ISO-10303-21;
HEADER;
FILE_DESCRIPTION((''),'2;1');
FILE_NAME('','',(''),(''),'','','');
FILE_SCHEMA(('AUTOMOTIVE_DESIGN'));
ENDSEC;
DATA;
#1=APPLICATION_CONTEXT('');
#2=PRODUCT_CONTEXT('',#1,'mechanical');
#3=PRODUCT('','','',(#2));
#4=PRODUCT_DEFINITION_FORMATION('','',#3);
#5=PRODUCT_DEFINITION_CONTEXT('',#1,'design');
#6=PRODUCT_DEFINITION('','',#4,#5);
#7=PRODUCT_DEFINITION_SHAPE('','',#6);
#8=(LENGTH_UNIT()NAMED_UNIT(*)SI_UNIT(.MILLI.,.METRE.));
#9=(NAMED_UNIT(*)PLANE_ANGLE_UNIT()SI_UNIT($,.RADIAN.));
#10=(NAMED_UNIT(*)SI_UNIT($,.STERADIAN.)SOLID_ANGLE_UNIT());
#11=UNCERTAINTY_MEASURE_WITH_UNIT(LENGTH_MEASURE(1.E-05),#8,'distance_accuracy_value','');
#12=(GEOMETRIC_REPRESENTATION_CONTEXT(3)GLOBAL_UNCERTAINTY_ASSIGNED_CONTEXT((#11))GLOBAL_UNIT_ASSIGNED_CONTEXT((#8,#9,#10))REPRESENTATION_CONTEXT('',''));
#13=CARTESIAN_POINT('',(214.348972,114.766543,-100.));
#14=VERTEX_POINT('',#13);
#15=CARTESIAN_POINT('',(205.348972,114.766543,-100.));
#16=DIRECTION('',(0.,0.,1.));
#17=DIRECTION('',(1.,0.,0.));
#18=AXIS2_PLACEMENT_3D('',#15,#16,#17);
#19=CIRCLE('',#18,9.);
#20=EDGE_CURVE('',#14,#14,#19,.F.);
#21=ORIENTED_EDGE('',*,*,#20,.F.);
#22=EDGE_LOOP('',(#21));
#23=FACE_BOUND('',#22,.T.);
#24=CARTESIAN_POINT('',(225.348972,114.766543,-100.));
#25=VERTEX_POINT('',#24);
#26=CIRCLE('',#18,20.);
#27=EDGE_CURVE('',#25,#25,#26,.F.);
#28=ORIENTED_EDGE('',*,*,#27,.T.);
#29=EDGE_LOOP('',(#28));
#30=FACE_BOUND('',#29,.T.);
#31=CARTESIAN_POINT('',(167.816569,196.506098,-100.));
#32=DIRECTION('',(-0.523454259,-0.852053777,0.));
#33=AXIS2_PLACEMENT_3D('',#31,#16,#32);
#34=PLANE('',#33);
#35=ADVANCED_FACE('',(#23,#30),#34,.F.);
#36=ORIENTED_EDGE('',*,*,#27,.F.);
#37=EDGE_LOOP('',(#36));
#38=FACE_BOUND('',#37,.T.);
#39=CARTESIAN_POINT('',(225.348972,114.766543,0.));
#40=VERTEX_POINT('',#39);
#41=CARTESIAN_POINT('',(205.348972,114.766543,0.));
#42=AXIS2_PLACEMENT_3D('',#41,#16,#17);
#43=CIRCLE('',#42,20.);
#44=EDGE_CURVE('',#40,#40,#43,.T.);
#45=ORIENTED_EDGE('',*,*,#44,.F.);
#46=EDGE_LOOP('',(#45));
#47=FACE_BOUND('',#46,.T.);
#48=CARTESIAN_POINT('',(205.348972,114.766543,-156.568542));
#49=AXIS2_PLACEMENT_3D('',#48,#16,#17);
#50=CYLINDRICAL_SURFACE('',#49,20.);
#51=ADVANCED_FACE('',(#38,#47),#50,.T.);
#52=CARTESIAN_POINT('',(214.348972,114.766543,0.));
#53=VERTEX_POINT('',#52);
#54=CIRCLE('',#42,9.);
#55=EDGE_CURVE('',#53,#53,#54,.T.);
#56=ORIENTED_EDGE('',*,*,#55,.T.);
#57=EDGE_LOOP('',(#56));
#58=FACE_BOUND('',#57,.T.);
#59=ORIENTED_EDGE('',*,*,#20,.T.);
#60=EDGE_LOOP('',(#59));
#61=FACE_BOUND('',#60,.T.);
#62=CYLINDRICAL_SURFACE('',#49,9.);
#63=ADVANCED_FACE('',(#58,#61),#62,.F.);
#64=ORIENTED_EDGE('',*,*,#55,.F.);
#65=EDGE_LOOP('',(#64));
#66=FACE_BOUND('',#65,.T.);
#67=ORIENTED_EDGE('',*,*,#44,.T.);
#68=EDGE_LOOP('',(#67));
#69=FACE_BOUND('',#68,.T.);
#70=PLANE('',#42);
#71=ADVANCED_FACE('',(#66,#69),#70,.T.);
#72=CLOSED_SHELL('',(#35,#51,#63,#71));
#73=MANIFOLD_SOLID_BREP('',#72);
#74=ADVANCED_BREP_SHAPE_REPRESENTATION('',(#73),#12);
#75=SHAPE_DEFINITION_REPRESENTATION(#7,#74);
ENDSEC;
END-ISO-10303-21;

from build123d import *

# Parameters (mm, degrees)
SKETCH_1_R      = 20
SKETCH_1_R_2    = 9
EXTRUDE_1_DEPTH = 100


with BuildPart() as part:
    # 草图1 → 凸台-拉伸1 (new body)
    with BuildSketch(Plane.XY):
        with Locations((205.348971612, 114.766543298)):
            Circle(SKETCH_1_R)
        with Locations((205.348971612, 114.766543298)):
            Circle(SKETCH_1_R_2, mode=Mode.SUBTRACT)
    extrude(amount=-EXTRUDE_1_DEPTH)


solid = part.part
